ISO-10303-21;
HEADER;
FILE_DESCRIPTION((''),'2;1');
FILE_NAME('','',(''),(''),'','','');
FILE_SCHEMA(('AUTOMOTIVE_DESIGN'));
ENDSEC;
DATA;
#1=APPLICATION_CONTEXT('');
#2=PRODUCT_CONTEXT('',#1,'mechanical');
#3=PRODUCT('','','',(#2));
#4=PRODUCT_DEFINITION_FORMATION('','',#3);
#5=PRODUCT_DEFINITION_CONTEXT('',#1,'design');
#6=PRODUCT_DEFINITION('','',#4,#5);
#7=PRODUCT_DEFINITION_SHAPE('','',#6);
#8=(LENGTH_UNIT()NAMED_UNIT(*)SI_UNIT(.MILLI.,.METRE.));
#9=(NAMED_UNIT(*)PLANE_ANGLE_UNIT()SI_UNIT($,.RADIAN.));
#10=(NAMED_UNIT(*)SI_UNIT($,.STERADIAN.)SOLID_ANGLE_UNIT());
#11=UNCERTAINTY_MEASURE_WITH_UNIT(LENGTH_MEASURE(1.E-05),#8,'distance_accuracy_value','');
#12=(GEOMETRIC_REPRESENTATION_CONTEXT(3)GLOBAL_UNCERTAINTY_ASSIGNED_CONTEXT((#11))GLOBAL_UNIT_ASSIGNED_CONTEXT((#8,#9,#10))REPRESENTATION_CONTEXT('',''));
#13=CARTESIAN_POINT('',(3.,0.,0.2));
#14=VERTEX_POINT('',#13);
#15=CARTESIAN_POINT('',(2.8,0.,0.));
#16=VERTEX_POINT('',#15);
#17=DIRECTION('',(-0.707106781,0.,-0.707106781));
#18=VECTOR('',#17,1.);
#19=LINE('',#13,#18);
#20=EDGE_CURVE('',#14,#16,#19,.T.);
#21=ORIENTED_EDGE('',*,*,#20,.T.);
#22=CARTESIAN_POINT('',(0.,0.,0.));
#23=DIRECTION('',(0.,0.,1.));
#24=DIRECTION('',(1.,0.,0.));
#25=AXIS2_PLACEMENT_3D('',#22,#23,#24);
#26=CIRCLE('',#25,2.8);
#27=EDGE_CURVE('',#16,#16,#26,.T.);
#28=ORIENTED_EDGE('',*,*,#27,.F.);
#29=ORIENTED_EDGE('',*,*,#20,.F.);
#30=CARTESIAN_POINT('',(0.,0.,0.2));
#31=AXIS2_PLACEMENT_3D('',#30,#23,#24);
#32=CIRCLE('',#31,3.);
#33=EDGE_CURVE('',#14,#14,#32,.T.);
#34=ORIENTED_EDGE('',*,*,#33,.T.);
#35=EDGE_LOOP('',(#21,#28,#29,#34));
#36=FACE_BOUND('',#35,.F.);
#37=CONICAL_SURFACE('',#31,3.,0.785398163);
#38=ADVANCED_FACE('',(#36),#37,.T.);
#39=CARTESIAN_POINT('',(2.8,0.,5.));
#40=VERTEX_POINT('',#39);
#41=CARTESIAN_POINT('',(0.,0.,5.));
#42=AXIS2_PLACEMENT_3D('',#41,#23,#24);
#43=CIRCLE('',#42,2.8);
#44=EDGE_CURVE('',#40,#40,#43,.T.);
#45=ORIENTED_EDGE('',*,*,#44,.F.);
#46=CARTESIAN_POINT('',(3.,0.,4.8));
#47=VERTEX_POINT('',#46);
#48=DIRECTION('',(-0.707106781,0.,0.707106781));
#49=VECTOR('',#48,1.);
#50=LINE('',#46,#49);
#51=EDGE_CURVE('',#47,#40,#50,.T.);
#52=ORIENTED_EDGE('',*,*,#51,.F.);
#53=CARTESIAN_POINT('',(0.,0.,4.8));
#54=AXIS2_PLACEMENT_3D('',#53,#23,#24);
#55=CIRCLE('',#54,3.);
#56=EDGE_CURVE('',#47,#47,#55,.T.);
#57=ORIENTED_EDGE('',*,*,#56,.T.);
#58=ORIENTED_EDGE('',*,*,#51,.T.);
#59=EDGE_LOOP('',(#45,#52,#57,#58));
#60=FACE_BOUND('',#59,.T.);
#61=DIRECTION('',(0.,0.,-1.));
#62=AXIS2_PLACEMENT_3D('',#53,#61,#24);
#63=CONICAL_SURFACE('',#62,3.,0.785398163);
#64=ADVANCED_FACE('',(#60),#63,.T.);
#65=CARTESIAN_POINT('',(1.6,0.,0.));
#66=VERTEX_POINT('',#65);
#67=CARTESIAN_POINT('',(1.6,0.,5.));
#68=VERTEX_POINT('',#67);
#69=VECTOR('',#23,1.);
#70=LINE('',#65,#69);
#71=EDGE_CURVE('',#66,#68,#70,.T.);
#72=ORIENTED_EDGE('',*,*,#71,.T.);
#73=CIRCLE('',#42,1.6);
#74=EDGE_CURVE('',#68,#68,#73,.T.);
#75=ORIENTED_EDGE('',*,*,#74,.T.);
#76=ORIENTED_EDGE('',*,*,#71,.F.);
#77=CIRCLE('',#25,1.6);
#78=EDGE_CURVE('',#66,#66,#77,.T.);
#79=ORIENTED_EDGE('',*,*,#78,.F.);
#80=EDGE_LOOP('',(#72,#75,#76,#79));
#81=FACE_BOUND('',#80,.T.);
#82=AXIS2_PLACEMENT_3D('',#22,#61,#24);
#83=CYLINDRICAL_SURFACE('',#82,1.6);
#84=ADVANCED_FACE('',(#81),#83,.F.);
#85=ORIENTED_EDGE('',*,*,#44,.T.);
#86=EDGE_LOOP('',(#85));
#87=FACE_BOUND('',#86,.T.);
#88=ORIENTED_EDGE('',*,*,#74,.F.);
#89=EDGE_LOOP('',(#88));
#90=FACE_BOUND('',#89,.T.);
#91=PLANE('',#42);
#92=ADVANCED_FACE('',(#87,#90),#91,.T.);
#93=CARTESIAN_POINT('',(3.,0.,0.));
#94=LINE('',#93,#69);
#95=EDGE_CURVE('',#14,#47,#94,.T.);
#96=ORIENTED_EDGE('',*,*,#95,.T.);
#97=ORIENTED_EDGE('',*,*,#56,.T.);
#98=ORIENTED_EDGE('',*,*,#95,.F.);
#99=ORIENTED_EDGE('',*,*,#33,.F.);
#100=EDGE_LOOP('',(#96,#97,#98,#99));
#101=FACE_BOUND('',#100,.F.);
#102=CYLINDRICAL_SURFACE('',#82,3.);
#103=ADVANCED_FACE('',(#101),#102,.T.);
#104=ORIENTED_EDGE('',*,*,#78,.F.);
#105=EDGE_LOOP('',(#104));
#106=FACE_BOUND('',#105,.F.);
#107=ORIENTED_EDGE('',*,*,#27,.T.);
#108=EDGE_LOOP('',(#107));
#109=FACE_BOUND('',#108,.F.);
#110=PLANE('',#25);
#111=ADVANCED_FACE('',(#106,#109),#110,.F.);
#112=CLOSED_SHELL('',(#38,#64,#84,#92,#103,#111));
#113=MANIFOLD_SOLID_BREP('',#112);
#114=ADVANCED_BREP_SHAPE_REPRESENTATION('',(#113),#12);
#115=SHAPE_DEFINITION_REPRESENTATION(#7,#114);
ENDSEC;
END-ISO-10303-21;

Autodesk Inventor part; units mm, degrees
ref_plane "YZ Plane" through (0, 0, 0) normal (1, 0, 0) x (0, 1, 0)
ref_plane "XZ Plane" through (0, 0, 0) normal (0, 1, 0) x (-1, 0, 0)
ref_plane "XY Plane" through (0, 0, 0) normal (0, 0, 1) x (1, 0, 0)
sketch "スケッチ1" plane through (0, 0, 0) normal (0, 0, 1) x (1, 0, 0)
  circle A0 centre (0, 0) radius 3
  circle A1 centre (0, 0) radius 1.6
  dimension "d0" = 6
  dimension "d1" = 3.2
extrude "押し出し1" add sketch "スケッチ1" along normal blind 5
chamfer "面取り1" distance 0.2 angle 45 2 edges at (-3, 0, 5) (-3, 0, 0)
properties part number "軸6-5" material "アルミニウム 6061"
